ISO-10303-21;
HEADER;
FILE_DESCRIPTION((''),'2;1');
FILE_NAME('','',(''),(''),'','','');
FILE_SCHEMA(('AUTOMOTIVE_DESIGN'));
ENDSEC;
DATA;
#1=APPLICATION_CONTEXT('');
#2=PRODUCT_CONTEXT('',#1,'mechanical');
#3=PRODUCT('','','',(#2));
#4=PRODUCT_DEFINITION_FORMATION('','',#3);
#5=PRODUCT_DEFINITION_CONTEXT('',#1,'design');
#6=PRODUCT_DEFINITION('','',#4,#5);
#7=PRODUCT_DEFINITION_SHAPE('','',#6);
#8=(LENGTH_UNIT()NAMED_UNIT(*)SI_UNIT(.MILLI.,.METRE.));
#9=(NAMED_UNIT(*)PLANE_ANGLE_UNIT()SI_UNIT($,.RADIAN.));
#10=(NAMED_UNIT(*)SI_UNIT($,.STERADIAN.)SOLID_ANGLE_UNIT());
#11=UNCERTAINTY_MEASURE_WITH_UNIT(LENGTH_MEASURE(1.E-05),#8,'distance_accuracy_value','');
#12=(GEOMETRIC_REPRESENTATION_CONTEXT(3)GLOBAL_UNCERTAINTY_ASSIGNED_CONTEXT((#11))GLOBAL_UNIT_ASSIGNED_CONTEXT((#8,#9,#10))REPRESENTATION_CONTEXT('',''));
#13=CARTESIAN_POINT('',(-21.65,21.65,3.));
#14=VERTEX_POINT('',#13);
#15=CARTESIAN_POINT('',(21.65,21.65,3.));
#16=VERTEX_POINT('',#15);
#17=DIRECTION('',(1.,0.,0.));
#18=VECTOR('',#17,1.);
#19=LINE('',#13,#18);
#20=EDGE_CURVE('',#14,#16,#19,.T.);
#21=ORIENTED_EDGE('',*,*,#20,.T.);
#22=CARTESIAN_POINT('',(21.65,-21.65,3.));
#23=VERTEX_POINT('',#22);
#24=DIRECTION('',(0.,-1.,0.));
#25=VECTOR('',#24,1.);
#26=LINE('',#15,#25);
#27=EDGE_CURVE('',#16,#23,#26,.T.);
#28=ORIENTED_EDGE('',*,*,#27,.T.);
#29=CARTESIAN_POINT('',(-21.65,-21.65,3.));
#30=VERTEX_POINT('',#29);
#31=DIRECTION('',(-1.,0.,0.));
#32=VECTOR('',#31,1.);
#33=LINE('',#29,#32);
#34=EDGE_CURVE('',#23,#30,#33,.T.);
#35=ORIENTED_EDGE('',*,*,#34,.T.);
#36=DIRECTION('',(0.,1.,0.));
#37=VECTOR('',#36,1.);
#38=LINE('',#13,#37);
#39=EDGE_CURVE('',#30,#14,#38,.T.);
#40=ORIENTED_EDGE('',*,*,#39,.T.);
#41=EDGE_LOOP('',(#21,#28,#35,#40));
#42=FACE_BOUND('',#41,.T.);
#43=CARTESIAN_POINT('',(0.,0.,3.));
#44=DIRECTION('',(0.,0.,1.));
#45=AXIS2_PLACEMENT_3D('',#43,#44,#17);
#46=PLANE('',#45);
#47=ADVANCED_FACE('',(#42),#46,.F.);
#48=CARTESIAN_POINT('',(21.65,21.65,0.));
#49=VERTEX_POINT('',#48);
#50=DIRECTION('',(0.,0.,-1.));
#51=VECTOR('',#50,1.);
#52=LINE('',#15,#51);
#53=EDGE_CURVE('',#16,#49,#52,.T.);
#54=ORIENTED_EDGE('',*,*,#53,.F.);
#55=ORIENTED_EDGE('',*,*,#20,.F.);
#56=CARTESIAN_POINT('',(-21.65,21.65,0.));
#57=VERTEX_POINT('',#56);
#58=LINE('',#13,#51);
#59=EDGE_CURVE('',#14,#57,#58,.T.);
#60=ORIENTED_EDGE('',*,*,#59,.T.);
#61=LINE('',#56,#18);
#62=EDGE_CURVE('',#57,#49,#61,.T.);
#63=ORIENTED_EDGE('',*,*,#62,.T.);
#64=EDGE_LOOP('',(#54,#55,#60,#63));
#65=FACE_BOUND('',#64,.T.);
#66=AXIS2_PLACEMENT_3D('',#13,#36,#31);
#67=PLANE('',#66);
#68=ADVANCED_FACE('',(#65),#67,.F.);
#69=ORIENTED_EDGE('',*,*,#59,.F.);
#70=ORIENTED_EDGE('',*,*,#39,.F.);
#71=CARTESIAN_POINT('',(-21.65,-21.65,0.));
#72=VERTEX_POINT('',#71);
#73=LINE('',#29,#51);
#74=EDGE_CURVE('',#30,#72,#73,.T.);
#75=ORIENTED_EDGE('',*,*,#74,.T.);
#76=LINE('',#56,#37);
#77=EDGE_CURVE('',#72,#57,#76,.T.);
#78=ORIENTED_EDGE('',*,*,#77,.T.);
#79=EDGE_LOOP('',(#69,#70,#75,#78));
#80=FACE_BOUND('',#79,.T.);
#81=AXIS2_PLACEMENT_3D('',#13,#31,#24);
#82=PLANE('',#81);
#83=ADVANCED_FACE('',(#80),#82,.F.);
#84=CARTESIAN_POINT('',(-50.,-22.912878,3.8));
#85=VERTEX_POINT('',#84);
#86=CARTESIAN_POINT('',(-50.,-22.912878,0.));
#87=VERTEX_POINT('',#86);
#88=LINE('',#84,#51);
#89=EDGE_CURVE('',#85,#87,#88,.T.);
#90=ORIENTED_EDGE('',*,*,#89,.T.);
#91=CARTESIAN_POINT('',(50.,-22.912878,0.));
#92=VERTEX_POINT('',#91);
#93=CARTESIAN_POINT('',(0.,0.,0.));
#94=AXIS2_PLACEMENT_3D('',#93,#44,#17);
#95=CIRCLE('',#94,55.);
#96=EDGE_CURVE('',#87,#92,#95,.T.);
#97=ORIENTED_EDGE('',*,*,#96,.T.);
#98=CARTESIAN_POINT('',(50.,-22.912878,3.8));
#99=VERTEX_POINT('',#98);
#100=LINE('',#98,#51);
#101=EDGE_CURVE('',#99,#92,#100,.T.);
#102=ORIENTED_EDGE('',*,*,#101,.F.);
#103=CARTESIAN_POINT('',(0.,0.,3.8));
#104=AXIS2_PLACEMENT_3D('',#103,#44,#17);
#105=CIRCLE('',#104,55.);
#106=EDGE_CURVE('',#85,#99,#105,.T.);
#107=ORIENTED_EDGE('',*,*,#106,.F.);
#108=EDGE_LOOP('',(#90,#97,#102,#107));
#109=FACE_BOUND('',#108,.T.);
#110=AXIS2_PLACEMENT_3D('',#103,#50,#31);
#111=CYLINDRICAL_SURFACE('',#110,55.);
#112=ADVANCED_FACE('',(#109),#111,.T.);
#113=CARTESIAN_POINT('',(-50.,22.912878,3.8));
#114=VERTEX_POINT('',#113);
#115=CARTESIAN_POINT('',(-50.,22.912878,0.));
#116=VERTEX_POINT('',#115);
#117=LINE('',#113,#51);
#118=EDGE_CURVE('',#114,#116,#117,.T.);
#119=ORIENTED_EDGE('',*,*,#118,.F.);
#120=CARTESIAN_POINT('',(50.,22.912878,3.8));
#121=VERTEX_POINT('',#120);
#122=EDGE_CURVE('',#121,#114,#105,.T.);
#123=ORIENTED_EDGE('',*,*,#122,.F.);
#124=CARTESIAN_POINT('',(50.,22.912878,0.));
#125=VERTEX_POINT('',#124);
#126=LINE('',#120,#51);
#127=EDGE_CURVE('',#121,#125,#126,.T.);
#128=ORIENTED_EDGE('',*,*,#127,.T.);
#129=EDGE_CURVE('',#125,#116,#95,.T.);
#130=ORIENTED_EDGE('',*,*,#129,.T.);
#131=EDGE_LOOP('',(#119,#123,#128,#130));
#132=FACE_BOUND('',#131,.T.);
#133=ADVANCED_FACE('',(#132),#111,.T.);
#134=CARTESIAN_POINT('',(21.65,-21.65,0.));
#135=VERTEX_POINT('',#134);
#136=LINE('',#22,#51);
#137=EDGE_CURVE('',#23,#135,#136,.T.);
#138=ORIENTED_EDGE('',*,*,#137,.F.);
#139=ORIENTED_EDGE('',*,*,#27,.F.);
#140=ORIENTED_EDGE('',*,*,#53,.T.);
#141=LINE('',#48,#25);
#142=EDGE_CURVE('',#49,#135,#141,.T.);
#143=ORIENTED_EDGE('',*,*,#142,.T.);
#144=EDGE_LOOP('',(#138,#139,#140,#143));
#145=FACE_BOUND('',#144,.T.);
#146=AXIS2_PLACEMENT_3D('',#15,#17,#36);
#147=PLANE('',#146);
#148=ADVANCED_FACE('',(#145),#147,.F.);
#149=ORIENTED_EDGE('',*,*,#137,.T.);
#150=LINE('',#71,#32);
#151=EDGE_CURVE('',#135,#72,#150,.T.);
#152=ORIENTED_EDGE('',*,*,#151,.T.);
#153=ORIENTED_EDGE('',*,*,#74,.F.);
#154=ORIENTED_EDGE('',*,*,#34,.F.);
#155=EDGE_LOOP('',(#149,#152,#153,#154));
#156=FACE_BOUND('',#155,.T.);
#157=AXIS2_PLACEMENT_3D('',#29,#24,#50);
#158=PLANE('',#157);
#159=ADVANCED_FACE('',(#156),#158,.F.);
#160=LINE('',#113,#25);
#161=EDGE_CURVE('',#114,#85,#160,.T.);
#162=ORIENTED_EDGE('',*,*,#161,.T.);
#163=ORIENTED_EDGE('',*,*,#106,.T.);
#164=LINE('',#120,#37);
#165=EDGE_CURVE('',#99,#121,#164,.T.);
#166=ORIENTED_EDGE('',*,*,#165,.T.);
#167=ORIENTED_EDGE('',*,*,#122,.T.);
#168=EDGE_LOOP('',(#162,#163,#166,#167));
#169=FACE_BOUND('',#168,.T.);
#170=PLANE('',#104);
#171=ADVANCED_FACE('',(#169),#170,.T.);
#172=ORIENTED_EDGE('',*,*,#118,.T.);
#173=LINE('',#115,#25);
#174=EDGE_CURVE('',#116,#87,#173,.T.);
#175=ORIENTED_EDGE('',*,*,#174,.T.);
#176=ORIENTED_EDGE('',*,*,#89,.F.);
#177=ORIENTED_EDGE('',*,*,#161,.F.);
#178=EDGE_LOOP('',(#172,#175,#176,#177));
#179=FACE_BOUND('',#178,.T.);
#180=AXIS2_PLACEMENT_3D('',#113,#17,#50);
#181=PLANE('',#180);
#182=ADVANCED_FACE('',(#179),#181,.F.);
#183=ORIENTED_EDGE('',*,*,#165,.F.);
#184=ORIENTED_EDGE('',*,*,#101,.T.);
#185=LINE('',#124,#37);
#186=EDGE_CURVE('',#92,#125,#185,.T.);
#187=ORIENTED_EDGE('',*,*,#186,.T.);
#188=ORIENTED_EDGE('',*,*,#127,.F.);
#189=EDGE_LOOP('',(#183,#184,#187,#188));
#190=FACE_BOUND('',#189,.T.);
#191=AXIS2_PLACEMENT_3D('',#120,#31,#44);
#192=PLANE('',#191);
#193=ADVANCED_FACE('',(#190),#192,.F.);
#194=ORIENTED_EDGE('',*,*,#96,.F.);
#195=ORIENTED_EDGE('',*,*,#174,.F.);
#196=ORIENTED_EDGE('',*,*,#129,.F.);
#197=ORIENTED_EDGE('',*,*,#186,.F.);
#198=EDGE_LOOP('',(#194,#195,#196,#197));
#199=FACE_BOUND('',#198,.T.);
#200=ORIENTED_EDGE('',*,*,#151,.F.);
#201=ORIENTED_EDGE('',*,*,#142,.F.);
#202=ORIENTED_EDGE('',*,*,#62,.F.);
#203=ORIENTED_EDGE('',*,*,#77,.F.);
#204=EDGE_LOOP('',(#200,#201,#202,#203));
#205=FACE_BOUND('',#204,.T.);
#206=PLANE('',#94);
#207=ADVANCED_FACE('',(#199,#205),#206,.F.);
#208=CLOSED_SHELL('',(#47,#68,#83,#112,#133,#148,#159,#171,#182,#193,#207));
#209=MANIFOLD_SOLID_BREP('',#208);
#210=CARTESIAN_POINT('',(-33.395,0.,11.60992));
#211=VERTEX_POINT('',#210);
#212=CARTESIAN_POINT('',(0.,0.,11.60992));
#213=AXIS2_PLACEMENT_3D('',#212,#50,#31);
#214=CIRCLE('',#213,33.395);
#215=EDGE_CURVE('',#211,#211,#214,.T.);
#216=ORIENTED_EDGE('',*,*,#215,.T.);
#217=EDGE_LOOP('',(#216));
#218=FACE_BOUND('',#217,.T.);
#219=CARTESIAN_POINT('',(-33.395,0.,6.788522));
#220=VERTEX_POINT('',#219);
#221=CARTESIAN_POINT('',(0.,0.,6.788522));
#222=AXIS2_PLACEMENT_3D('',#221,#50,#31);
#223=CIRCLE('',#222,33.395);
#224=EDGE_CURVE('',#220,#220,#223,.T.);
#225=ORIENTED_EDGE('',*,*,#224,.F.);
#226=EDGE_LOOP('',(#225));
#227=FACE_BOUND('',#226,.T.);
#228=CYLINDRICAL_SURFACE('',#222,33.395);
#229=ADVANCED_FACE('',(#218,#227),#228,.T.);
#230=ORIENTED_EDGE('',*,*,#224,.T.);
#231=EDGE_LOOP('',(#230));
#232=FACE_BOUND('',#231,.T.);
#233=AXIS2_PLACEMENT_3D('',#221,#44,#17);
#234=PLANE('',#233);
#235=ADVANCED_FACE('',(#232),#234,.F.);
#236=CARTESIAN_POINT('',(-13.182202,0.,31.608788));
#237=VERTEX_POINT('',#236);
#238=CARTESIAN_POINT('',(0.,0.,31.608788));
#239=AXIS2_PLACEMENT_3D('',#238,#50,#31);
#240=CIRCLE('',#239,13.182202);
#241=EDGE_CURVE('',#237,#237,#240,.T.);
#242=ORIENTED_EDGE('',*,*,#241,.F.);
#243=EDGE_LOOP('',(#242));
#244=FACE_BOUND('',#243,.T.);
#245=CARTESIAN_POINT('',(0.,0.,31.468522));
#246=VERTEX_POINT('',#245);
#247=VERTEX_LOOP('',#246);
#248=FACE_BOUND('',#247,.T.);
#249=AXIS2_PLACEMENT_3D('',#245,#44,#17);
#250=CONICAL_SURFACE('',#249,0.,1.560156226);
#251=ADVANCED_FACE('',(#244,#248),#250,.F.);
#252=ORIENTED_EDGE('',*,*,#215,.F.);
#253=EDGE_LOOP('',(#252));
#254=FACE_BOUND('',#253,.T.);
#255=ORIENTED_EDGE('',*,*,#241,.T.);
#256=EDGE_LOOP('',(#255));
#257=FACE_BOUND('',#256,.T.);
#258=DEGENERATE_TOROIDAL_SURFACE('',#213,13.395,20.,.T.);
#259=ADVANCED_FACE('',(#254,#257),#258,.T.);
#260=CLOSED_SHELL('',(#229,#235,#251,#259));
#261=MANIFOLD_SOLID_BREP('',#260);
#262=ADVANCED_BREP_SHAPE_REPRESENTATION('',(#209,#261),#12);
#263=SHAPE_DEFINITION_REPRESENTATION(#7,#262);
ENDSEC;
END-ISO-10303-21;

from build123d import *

# Parameters (mm, degrees)
BOSS_EXTRUDE1_DEPTH = 3.8
SKETCH4_W           = 43.3
SKETCH4_H           = 43.3
CUT_EXTRUDE1_DEPTH  = 3


with BuildPart() as part:
    # Sketch1 → Boss-Extrude1 (new body)
    with BuildSketch(Plane.XY):
        with BuildLine():
            Line((50, 22.912878475), (50, -22.912878475))
            ThreePointArc((50, -22.912878475), (0, -55), (-50, -22.912878475))
            Line((-50, -22.912878475), (-50, 22.912878475))
            ThreePointArc((-50, 22.912878475), (0, 55), (50, 22.912878475))
        make_face()
    extrude(amount=BOSS_EXTRUDE1_DEPTH)

    # Sketch4 → Cut-Extrude1 (cut)
    with BuildSketch(Plane(origin=(0, 0, 0), x_dir=(-1, 0, 0), z_dir=(0, 0, -1))):
        Rectangle(SKETCH4_W, SKETCH4_H)
    extrude(amount=-CUT_EXTRUDE1_DEPTH, mode=Mode.SUBTRACT)


with BuildPart() as body_2:
    # Sketch3 → Revolve1 (revolve)
    with BuildSketch(Plane(origin=(0, 0, 0), x_dir=(1, 0, 0), z_dir=(0, 1, 0)), mode=Mode.PRIVATE) as revolve1_sk:
        with BuildLine():
            Line((0, -6.78852246), (0, -31.46852246))
            Line((0, -31.46852246), (13.182201991, -31.608787716))
            ThreePointArc((13.182201991, -31.608787716), (27.46169897, -25.827091838), (33.395, -11.609919823))
            Line((33.395, -11.609919823), (33.395, -6.78852246))
            Line((33.395, -6.78852246), (0, -6.78852246))
        make_face()
    revolve(revolve1_sk.sketch.rotate(Axis((0, 0, 6.78852246), (0, 0, 1)), 180), axis=Axis((0, 0, 6.78852246), (0, 0, 1)))


solid = Compound([part.part, body_2.part])
